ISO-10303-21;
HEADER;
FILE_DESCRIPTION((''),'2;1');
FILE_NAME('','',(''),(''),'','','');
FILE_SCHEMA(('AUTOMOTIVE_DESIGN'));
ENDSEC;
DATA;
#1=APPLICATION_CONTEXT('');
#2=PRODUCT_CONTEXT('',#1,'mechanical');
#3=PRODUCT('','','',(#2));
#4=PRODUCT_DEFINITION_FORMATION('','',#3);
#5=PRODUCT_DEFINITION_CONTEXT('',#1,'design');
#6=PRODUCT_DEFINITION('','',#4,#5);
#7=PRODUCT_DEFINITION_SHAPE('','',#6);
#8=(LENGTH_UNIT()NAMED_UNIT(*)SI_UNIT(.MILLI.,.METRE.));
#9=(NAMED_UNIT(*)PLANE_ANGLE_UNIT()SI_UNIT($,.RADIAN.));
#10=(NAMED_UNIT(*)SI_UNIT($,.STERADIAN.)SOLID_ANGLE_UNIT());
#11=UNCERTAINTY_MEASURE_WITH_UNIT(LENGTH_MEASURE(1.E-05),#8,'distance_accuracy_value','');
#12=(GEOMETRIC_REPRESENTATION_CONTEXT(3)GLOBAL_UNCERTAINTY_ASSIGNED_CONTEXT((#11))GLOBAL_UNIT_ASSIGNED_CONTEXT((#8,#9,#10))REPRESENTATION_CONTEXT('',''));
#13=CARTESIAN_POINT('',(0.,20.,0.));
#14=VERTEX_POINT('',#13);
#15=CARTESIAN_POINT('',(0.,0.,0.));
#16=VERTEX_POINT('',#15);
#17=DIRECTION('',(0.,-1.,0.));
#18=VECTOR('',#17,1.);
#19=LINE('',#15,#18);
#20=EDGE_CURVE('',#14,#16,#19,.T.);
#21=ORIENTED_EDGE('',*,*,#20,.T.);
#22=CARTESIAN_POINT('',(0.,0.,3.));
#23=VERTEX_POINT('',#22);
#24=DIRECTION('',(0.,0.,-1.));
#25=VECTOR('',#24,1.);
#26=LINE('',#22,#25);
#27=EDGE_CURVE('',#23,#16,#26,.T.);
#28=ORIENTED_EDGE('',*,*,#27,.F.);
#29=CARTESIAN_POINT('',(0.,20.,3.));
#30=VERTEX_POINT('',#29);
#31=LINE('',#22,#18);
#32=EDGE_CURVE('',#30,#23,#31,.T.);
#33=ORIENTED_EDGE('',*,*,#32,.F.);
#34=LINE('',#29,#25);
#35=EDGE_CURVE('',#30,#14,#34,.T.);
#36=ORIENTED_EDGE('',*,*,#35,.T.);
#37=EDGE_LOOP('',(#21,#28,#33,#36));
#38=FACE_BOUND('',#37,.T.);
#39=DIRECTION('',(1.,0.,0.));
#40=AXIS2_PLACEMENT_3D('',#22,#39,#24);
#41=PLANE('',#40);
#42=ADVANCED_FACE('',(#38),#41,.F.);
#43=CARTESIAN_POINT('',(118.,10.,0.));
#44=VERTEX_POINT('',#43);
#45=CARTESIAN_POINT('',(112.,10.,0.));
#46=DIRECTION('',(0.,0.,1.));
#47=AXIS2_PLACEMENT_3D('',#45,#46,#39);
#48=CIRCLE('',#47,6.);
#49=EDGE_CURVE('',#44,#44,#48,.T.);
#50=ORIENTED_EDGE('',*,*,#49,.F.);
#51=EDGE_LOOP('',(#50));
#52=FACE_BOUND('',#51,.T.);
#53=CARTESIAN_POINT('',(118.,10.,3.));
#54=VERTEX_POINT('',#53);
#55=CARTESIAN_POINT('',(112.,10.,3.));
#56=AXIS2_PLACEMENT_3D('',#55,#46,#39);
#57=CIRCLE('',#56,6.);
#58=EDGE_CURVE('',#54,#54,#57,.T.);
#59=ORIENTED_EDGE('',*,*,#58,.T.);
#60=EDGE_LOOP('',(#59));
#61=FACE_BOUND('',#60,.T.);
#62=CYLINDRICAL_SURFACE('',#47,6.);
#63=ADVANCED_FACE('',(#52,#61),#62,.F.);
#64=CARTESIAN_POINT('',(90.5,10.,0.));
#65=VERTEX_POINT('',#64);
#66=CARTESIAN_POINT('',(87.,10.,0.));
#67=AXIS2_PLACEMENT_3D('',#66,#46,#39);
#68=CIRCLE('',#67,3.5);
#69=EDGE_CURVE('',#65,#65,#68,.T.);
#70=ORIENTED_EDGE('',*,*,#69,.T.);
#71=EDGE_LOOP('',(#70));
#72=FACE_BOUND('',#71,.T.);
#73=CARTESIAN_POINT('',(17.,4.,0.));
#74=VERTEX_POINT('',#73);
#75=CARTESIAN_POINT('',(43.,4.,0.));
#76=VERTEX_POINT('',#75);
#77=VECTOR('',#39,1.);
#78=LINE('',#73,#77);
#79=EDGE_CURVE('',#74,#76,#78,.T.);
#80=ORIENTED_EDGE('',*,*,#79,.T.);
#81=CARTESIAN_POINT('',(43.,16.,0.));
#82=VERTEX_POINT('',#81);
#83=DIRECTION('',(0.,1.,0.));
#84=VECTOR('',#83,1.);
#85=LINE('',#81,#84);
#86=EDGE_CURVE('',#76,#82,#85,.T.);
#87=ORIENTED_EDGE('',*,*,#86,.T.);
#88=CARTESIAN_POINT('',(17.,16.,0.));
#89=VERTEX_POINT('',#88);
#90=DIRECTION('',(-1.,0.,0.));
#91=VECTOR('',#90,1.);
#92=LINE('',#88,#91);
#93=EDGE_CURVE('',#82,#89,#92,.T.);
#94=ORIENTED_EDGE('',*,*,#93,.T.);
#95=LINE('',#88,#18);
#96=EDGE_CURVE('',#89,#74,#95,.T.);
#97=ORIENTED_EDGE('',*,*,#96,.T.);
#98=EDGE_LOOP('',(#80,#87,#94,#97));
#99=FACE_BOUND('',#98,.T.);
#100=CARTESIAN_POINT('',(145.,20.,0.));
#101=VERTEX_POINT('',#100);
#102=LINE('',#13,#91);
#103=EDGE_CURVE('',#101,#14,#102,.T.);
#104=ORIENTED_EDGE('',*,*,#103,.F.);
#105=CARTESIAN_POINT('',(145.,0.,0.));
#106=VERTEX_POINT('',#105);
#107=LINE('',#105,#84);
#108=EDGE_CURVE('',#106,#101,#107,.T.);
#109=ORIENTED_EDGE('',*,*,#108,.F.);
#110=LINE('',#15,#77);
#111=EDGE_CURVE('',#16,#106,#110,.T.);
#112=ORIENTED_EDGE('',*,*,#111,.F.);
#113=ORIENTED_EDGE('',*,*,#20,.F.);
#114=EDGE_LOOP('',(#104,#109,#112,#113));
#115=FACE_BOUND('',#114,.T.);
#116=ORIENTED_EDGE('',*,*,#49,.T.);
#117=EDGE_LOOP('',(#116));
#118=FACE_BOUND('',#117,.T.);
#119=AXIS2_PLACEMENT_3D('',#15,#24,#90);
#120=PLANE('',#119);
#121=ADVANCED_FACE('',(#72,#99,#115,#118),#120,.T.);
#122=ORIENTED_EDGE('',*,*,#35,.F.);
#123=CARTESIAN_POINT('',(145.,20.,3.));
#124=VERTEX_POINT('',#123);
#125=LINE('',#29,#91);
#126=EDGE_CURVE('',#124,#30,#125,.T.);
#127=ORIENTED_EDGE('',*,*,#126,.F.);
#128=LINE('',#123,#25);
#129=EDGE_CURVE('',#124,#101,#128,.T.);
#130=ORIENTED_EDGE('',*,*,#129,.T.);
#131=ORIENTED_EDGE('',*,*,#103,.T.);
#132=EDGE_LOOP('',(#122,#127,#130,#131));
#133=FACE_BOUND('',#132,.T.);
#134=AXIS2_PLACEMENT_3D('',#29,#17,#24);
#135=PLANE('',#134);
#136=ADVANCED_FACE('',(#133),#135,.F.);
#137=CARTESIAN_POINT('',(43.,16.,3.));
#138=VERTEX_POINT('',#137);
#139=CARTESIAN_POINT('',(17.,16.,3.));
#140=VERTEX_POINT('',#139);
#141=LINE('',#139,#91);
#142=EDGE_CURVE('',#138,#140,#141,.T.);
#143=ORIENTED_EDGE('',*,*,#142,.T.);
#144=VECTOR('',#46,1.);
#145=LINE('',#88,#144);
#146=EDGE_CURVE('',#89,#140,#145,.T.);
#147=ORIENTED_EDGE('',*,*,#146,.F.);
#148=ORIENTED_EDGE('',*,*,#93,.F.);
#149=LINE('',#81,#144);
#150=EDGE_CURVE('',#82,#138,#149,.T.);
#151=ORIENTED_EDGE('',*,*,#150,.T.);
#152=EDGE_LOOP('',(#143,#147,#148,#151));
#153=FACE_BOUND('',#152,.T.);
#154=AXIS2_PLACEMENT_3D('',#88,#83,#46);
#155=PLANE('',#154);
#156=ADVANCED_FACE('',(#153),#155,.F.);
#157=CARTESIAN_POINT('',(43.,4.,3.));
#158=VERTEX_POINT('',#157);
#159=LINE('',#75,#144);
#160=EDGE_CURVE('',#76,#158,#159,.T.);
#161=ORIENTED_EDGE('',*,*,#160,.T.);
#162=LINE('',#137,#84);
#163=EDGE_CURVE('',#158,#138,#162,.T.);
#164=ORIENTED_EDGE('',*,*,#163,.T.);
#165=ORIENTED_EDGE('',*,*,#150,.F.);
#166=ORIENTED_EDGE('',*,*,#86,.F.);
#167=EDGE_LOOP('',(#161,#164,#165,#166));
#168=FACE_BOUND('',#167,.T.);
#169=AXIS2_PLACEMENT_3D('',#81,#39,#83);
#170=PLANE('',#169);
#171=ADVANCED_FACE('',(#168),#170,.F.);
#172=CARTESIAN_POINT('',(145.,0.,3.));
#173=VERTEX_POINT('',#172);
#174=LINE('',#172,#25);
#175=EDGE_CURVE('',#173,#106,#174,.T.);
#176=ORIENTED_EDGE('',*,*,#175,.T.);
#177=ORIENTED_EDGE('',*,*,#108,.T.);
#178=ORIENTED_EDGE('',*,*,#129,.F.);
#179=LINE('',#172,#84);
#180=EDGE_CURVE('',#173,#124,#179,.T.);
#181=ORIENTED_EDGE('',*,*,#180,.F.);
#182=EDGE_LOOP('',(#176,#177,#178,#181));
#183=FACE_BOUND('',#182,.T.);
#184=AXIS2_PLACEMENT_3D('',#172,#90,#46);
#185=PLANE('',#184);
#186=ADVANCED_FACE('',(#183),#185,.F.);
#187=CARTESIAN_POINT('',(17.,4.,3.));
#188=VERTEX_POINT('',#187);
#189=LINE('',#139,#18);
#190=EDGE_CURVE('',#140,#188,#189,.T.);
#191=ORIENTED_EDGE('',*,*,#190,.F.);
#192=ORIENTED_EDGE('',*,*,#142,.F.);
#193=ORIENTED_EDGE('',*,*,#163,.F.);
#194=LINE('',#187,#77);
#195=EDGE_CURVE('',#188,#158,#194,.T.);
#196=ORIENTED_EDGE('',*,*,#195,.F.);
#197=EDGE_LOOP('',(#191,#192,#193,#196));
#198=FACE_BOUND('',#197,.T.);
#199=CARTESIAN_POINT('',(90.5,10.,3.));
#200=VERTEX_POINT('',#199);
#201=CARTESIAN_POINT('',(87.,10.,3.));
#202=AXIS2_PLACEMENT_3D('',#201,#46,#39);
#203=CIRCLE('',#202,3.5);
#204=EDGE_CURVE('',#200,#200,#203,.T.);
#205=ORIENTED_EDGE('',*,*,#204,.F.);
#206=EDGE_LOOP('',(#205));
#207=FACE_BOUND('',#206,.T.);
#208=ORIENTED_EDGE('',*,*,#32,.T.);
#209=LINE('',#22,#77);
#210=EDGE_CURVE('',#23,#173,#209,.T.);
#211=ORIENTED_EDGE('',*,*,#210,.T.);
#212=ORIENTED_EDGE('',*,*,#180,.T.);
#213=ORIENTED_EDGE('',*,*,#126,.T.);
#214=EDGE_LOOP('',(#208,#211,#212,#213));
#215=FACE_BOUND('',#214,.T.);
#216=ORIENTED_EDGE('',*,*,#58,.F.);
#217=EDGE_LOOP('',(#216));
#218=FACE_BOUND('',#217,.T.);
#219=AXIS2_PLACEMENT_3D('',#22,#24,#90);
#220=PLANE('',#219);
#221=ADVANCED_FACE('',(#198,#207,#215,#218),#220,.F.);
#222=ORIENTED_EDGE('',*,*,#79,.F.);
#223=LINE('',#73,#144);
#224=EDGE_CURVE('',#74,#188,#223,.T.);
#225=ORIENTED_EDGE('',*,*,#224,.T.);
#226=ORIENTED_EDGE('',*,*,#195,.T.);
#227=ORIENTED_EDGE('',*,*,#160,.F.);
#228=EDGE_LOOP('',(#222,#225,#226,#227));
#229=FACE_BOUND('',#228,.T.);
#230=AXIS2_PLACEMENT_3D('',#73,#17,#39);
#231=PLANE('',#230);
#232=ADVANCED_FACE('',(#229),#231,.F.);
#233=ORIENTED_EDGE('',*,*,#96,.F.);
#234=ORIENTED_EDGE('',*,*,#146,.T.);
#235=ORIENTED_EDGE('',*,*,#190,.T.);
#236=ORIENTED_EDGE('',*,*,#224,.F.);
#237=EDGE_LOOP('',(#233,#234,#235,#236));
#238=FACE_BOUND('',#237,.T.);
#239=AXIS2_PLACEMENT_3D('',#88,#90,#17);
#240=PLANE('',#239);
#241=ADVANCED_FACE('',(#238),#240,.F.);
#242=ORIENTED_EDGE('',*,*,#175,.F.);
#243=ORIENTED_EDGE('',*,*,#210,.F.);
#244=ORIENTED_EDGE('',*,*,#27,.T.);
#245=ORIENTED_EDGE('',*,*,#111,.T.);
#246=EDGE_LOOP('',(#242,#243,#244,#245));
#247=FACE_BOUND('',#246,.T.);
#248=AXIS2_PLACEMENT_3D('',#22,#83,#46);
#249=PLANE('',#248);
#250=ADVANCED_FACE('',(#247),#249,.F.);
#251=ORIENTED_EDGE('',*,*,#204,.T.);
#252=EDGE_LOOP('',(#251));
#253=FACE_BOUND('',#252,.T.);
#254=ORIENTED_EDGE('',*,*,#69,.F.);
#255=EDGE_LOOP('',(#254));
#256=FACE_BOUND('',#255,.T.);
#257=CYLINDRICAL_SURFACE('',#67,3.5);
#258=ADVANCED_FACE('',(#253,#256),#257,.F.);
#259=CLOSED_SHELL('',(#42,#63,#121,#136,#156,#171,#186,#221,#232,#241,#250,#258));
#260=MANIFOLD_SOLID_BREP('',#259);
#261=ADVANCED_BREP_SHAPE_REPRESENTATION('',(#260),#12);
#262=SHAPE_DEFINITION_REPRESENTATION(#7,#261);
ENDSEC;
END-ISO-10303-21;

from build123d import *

# Parameters (mm, degrees)
SKETCH1_W           = 145
SKETCH1_H           = 20
BOSS_EXTRUDE1_DEPTH = 3
SKETCH2_R           = 3.5
SKETCH2_R_2         = 6
SKETCH2_W           = 26
SKETCH2_H           = 12
CUT_EXTRUDE1_DEPTH  = 4


with BuildPart() as part:
    # Sketch1 → Boss-Extrude1 (new body)
    with BuildSketch(Plane.XY):
        with Locations((72.5, 10)):
            Rectangle(SKETCH1_W, SKETCH1_H)
    extrude(amount=BOSS_EXTRUDE1_DEPTH)

    # Sketch2 → Cut-Extrude1 (cut, through all)
    with BuildSketch(Plane.XY.offset(3)):
        with Locations((87, 10)):
            Circle(SKETCH2_R)
        with Locations((112, 10)):
            Circle(SKETCH2_R_2)
        with Locations((30, 10)):
            Rectangle(SKETCH2_W, SKETCH2_H)
    extrude(amount=-CUT_EXTRUDE1_DEPTH, mode=Mode.SUBTRACT)


solid = part.part
